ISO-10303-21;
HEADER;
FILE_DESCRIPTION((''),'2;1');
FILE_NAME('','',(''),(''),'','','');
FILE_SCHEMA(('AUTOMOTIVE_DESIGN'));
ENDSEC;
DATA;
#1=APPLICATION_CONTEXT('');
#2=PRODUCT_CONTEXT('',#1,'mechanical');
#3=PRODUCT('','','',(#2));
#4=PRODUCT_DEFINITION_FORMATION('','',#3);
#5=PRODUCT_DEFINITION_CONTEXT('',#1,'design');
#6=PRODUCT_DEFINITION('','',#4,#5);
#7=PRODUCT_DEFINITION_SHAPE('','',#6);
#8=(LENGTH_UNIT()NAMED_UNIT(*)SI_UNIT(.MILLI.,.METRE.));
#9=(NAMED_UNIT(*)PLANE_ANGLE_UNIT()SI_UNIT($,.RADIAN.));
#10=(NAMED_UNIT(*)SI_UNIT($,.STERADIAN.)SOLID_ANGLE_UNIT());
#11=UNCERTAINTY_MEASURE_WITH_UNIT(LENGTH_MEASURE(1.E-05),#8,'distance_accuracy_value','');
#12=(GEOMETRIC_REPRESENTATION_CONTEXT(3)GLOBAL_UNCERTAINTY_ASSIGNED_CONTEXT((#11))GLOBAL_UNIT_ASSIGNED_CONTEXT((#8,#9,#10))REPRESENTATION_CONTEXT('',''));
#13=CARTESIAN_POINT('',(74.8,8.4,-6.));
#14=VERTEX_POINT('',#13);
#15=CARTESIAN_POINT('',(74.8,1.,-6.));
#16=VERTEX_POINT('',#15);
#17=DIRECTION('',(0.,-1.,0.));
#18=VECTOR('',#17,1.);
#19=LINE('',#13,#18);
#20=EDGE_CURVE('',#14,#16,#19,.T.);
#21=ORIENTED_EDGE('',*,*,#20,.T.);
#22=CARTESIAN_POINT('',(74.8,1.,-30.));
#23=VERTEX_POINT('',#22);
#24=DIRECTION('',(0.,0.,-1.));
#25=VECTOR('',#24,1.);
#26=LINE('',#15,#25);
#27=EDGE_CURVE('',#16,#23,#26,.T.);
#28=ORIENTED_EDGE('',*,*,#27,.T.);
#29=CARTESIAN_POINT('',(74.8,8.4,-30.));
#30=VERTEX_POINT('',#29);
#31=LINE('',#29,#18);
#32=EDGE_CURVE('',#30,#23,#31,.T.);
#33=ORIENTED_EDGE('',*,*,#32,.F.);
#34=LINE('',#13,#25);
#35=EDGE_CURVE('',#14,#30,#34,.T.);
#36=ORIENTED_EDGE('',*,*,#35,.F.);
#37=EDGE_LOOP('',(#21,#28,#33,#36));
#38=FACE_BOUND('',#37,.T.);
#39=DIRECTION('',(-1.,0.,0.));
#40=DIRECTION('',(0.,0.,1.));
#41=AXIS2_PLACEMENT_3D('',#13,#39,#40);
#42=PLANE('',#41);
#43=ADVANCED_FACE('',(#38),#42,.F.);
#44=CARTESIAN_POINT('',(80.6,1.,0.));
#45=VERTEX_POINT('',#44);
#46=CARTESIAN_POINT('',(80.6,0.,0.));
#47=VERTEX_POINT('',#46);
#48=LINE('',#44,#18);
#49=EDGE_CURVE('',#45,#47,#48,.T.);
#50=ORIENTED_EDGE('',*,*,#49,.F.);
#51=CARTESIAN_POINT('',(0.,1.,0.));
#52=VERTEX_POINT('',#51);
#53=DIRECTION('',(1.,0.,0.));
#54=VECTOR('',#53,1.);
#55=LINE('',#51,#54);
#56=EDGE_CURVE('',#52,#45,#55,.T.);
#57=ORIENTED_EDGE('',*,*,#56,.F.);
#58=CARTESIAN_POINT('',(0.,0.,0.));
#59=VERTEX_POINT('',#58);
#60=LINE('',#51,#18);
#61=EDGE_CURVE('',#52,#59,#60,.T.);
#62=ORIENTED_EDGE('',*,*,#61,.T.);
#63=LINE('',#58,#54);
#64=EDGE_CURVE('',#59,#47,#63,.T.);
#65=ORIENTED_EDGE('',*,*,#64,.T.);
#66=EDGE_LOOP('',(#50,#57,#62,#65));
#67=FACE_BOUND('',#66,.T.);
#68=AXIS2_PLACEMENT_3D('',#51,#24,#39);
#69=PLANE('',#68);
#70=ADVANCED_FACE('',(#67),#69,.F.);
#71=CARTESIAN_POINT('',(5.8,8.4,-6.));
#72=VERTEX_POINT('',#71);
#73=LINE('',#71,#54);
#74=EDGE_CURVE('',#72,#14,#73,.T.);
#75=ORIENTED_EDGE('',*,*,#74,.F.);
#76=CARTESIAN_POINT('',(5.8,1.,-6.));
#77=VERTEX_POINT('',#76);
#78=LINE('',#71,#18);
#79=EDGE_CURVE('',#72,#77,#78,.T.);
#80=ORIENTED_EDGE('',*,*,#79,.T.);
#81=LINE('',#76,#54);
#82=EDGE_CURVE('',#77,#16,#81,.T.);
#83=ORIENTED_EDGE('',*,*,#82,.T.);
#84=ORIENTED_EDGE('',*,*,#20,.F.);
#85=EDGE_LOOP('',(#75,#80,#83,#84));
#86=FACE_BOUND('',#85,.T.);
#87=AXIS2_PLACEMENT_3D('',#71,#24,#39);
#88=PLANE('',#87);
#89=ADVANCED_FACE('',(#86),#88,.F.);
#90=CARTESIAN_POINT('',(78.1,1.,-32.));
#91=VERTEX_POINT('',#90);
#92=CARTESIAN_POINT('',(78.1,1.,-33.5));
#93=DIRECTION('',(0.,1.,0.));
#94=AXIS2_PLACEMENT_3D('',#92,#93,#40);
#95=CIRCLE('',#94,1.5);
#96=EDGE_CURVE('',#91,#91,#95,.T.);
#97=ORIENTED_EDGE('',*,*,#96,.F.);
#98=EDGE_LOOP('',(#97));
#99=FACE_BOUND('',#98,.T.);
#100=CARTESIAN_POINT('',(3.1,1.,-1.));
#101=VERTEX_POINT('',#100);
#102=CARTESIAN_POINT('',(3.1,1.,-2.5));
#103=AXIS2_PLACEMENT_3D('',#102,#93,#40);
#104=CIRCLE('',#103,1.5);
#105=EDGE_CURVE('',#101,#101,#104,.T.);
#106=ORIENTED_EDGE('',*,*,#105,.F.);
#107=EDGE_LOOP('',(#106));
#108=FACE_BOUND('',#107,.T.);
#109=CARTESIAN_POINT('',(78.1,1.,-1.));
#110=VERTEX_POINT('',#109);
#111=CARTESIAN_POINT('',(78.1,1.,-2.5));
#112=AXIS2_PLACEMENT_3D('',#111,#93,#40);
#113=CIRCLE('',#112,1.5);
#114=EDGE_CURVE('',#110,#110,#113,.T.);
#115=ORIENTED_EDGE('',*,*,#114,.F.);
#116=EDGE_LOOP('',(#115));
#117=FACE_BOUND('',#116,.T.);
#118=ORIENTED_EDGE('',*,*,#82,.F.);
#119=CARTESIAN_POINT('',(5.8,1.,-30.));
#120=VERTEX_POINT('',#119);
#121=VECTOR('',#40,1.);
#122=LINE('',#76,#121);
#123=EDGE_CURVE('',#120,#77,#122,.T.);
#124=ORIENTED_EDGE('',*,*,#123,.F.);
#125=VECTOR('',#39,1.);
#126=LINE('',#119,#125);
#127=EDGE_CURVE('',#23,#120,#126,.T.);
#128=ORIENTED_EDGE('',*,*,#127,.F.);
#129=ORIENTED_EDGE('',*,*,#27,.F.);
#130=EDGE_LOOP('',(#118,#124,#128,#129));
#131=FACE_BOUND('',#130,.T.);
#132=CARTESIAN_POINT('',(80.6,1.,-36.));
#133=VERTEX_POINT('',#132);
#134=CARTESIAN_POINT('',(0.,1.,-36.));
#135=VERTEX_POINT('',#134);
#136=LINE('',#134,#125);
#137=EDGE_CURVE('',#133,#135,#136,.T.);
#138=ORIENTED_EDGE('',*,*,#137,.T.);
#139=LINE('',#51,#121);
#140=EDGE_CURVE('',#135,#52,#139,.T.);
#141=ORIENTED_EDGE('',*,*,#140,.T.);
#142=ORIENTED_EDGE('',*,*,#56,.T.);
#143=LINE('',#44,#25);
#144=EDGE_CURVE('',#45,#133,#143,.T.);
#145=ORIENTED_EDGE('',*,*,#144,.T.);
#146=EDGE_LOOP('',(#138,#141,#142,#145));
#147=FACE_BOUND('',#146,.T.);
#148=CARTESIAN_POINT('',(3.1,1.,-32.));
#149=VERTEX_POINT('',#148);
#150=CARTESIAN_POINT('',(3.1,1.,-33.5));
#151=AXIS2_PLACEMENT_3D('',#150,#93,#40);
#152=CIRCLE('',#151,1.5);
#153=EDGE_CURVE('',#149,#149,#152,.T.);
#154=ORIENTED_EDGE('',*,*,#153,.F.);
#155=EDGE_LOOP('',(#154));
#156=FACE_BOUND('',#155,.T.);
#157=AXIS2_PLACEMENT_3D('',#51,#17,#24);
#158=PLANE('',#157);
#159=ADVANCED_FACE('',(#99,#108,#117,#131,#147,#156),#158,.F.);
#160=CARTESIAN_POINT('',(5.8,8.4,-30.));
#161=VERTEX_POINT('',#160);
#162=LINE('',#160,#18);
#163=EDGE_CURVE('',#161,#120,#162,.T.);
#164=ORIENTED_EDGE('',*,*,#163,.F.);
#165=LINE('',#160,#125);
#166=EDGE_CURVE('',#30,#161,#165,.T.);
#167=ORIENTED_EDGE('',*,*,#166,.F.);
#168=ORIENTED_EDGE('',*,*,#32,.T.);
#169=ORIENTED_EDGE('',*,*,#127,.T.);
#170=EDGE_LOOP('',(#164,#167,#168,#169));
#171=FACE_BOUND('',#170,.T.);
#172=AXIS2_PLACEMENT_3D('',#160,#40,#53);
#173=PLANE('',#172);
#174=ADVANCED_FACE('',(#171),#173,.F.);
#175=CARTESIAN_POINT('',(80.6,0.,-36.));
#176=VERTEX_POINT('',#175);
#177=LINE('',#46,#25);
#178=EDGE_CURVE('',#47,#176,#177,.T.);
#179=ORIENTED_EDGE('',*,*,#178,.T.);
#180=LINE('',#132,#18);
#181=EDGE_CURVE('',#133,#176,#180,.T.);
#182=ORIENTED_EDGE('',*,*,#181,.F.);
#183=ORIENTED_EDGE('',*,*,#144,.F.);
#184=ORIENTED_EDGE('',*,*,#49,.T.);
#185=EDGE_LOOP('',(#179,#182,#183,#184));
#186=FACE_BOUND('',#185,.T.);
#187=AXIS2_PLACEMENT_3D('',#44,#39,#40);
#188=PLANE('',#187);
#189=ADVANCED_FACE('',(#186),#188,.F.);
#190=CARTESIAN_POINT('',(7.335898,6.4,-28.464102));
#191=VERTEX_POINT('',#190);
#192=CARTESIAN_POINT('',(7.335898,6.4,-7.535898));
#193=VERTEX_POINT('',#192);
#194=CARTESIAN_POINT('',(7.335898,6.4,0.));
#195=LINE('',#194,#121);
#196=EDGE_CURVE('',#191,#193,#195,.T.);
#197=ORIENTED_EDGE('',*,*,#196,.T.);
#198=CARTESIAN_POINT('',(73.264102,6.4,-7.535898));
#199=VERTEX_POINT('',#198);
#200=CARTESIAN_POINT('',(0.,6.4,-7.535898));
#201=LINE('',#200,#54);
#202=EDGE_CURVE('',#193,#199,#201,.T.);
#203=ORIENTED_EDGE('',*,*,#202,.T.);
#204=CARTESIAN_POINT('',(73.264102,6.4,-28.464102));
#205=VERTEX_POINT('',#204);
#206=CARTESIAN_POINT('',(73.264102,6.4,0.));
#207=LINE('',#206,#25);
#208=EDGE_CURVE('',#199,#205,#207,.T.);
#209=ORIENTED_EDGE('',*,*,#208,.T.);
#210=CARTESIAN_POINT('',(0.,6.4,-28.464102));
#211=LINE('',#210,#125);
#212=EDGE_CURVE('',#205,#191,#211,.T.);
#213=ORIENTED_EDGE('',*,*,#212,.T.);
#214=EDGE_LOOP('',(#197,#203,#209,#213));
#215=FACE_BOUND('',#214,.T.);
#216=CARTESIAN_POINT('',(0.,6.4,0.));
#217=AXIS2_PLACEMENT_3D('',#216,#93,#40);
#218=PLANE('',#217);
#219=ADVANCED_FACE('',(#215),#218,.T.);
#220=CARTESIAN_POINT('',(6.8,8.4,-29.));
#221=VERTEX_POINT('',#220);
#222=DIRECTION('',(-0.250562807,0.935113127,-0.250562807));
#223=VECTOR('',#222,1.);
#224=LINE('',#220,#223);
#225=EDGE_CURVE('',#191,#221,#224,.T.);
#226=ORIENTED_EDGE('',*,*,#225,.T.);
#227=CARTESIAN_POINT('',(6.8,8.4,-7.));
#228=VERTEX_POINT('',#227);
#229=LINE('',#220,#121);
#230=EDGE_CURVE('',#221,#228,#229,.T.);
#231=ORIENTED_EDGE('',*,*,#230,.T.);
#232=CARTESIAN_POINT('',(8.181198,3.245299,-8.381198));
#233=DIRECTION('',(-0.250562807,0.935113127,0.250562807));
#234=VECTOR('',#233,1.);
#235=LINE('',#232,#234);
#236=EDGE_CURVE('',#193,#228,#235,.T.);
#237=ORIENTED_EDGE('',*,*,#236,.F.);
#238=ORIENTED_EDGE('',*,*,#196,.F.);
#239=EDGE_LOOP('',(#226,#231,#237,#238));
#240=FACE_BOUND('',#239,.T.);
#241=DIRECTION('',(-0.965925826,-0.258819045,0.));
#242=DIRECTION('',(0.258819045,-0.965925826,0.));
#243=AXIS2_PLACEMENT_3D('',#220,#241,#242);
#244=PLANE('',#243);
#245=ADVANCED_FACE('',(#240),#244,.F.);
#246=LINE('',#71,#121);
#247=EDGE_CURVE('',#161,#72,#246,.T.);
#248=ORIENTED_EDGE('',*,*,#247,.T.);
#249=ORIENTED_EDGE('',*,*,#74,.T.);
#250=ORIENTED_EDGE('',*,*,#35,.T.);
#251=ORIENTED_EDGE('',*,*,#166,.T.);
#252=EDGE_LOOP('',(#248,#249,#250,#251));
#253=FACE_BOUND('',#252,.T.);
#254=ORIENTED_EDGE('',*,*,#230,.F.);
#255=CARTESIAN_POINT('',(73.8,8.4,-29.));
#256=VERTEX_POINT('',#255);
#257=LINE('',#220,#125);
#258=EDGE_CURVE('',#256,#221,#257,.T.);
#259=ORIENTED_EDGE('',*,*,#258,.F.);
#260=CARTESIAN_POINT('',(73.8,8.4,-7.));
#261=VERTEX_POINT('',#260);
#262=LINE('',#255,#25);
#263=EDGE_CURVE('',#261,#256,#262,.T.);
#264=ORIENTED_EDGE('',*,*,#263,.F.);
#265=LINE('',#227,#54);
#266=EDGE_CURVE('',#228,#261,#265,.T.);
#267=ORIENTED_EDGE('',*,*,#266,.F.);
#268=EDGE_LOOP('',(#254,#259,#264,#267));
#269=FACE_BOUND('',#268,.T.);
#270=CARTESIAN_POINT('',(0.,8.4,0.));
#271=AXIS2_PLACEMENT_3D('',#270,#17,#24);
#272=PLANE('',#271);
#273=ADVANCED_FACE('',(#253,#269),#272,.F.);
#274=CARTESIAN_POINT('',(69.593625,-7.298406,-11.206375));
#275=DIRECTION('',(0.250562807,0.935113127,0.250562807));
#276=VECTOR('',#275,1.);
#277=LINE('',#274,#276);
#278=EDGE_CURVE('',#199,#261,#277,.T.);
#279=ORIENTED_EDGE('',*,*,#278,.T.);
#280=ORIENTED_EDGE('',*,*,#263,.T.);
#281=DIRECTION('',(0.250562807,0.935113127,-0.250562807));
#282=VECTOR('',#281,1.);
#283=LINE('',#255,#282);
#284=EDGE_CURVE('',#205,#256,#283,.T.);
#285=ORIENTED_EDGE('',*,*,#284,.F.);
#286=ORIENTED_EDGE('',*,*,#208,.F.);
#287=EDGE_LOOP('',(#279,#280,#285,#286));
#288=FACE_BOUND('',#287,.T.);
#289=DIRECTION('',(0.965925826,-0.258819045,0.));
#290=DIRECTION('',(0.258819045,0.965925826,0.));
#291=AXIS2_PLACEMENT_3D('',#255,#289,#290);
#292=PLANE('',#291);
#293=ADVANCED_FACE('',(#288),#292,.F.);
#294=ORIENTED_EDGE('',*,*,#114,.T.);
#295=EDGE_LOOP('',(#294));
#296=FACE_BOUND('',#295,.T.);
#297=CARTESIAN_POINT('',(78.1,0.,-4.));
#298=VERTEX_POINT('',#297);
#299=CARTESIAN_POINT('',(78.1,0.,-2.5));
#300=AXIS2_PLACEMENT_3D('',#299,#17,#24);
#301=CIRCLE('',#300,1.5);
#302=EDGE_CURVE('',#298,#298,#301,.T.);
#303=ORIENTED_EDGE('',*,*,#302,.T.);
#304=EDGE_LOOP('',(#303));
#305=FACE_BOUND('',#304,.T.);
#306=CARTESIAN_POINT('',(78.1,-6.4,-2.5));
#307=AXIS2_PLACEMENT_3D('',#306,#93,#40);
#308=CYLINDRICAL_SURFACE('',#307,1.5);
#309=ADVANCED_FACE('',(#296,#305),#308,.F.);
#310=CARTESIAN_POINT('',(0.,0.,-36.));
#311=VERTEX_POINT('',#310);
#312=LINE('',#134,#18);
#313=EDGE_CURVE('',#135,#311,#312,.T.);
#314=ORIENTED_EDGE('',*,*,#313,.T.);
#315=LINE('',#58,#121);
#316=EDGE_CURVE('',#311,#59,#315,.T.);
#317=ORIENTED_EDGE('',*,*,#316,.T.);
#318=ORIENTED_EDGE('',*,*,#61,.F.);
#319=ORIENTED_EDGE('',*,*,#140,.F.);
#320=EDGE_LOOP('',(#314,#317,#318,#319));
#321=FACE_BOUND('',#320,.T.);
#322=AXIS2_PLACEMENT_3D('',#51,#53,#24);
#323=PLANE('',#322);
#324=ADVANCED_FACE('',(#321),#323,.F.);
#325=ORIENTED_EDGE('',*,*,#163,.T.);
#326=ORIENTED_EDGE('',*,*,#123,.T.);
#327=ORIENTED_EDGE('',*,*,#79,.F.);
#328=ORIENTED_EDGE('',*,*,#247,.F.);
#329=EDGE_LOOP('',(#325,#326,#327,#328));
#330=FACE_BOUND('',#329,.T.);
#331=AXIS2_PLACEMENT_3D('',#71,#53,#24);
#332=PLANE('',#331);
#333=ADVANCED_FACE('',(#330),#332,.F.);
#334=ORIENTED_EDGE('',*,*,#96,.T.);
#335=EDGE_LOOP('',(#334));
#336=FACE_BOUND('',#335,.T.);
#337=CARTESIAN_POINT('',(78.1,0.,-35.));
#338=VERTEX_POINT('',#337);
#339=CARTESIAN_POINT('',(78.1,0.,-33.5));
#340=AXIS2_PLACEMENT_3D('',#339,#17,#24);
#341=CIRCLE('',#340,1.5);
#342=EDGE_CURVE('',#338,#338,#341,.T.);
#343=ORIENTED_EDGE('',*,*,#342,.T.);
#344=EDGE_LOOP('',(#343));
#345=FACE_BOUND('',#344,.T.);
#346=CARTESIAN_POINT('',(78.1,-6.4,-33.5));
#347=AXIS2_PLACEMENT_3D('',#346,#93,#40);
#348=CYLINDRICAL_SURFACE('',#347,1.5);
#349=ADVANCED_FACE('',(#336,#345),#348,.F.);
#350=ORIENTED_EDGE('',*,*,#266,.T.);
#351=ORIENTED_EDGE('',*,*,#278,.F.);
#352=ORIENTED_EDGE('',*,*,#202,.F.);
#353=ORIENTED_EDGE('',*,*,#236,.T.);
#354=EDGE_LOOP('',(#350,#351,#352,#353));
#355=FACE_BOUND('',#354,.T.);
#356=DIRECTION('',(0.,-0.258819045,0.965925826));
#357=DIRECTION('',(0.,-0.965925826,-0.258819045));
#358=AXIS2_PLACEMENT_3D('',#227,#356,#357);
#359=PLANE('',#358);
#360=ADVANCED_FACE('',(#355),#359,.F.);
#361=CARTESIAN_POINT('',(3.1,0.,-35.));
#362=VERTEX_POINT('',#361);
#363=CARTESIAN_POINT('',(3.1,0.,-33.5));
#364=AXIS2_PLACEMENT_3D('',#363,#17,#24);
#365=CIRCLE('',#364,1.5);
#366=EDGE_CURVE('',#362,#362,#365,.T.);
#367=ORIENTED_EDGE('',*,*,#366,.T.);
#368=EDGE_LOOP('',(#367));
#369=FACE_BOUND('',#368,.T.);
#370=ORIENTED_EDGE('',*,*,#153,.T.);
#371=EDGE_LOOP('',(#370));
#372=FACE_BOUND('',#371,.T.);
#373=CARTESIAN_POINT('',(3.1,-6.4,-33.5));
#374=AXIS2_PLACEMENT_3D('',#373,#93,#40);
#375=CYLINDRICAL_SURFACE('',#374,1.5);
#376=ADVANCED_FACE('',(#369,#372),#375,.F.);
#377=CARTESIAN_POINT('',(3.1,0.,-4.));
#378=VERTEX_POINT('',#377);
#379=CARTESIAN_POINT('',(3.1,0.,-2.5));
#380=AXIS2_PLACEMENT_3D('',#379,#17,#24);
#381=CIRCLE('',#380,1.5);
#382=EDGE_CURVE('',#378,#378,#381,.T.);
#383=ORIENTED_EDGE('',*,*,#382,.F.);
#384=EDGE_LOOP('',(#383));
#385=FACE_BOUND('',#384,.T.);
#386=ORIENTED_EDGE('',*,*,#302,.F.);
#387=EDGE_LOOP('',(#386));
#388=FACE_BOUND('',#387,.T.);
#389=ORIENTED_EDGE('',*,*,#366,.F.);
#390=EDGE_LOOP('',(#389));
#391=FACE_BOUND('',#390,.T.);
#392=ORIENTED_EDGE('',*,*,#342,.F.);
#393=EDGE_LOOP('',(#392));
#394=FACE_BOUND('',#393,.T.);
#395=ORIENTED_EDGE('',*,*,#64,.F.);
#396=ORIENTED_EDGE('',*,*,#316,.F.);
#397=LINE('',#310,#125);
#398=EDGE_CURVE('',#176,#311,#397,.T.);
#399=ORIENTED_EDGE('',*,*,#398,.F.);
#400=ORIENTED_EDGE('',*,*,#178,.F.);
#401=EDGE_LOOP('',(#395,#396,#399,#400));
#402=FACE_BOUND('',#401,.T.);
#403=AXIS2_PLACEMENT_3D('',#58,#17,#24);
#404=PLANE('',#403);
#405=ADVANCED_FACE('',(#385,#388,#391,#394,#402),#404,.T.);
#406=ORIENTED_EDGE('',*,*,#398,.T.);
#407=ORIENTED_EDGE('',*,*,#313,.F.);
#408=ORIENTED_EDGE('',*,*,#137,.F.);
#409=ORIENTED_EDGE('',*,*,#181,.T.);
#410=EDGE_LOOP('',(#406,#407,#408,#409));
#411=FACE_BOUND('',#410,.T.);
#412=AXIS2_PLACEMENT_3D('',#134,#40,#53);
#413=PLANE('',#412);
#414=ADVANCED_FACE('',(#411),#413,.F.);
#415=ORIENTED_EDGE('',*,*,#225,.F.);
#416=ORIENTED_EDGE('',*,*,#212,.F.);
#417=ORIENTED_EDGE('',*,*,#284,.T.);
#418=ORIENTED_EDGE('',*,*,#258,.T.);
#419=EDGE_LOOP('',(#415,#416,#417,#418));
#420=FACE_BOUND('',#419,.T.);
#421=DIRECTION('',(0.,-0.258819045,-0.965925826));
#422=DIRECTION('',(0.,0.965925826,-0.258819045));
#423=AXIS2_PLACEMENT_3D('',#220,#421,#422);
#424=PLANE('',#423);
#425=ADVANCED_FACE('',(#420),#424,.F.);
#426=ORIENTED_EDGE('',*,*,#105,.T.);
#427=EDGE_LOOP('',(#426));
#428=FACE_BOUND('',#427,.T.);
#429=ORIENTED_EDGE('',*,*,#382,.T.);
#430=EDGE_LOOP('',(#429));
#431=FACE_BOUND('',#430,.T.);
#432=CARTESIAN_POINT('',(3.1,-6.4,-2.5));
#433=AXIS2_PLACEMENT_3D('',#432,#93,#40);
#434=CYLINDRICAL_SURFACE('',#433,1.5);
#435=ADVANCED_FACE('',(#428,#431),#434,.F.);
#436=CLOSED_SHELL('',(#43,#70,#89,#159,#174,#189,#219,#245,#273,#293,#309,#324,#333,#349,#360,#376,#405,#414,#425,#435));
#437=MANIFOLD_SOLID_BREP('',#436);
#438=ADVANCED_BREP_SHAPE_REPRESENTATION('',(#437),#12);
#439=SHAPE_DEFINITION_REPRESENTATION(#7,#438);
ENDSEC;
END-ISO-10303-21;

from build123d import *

# Parameters (mm, degrees)
SKETCH1_W           = 80.6
SKETCH1_H           = 36
BOSS_EXTRUDE1_DEPTH = 1
SKETCH2_W           = 69
SKETCH2_H           = 24
BOSS_EXTRUDE2_DEPTH = 7.4
SKETCH3_R           = 1.5
CUT_EXTRUDE1_DEPTH  = 7.4
SKETCH4_W           = 67
SKETCH4_H           = 22
CUT_EXTRUDE2_DEPTH  = 2
CUT_EXTRUDE2_DRAFT  = -15


with BuildPart() as part:
    # Sketch1 → Boss-Extrude1 (new body)
    with BuildSketch(Plane(origin=(0, 0, 0), x_dir=(1, 0, 0), z_dir=(0, 1, 0))):
        with Locations((40.3, 18)):
            Rectangle(SKETCH1_W, SKETCH1_H)
    extrude(amount=BOSS_EXTRUDE1_DEPTH)

    # Sketch2 → Boss-Extrude2 (add)
    with BuildSketch(Plane(origin=(0, 1, 0), x_dir=(1, 0, 0), z_dir=(0, 1, 0))):
        with Locations((40.3, 18)):
            Rectangle(SKETCH2_W, SKETCH2_H)
    extrude(amount=BOSS_EXTRUDE2_DEPTH)

    # Sketch3 → Cut-Extrude1 (cut)
    with BuildSketch(Plane(origin=(0, 1, 0), x_dir=(1, 0, 0), z_dir=(0, 1, 0))):
        with Locations(Location((3.1, 33.5, 0), (0, 0, 270))):
            Circle(SKETCH3_R)
        with Locations(Location((3.1, 2.5, 0), (0, 0, 270))):
            Circle(SKETCH3_R)
        with Locations(Location((78.1, 2.5, 0), (0, 0, 270))):
            Circle(SKETCH3_R)
        with Locations(Location((78.1, 33.5, 0), (0, 0, 270))):
            Circle(SKETCH3_R)
    extrude(amount=-CUT_EXTRUDE1_DEPTH, mode=Mode.SUBTRACT)


with BuildPart() as cut_extrude2_tool:
    # Sketch4 → Cut-Extrude2 (with draft: the straight prism first)
    with BuildSketch(Plane(origin=(0, 8.4, 0), x_dir=(1, 0, 0), z_dir=(0, 1, 0))):
        with Locations((40.3, 18)):
            Rectangle(SKETCH4_W, SKETCH4_H)
    extrude(amount=-CUT_EXTRUDE2_DEPTH)
    # Cut-Extrude2: the draft: its side faces are tilted about the plane it starts from
    cut_extrude2_sides = [cut_extrude2_tool.faces().sort_by_distance(p)[0] for p in [
        (6.8, 7.4, -18),
        (40.3, 7.4, -7),
        (73.8, 7.4, -18),
        (40.3, 7.4, -29),
    ]]
    draft(cut_extrude2_sides, Plane(origin=(0, 8.4, 0), x_dir=(1, 0, 0), z_dir=(0, 1, 0)), CUT_EXTRUDE2_DRAFT)


with BuildPart() as part_1:
    add(part.part)

    # Cut-Extrude2: cut by cut_extrude2_tool
    add(cut_extrude2_tool.part, mode=Mode.SUBTRACT)


solid = part_1.part
